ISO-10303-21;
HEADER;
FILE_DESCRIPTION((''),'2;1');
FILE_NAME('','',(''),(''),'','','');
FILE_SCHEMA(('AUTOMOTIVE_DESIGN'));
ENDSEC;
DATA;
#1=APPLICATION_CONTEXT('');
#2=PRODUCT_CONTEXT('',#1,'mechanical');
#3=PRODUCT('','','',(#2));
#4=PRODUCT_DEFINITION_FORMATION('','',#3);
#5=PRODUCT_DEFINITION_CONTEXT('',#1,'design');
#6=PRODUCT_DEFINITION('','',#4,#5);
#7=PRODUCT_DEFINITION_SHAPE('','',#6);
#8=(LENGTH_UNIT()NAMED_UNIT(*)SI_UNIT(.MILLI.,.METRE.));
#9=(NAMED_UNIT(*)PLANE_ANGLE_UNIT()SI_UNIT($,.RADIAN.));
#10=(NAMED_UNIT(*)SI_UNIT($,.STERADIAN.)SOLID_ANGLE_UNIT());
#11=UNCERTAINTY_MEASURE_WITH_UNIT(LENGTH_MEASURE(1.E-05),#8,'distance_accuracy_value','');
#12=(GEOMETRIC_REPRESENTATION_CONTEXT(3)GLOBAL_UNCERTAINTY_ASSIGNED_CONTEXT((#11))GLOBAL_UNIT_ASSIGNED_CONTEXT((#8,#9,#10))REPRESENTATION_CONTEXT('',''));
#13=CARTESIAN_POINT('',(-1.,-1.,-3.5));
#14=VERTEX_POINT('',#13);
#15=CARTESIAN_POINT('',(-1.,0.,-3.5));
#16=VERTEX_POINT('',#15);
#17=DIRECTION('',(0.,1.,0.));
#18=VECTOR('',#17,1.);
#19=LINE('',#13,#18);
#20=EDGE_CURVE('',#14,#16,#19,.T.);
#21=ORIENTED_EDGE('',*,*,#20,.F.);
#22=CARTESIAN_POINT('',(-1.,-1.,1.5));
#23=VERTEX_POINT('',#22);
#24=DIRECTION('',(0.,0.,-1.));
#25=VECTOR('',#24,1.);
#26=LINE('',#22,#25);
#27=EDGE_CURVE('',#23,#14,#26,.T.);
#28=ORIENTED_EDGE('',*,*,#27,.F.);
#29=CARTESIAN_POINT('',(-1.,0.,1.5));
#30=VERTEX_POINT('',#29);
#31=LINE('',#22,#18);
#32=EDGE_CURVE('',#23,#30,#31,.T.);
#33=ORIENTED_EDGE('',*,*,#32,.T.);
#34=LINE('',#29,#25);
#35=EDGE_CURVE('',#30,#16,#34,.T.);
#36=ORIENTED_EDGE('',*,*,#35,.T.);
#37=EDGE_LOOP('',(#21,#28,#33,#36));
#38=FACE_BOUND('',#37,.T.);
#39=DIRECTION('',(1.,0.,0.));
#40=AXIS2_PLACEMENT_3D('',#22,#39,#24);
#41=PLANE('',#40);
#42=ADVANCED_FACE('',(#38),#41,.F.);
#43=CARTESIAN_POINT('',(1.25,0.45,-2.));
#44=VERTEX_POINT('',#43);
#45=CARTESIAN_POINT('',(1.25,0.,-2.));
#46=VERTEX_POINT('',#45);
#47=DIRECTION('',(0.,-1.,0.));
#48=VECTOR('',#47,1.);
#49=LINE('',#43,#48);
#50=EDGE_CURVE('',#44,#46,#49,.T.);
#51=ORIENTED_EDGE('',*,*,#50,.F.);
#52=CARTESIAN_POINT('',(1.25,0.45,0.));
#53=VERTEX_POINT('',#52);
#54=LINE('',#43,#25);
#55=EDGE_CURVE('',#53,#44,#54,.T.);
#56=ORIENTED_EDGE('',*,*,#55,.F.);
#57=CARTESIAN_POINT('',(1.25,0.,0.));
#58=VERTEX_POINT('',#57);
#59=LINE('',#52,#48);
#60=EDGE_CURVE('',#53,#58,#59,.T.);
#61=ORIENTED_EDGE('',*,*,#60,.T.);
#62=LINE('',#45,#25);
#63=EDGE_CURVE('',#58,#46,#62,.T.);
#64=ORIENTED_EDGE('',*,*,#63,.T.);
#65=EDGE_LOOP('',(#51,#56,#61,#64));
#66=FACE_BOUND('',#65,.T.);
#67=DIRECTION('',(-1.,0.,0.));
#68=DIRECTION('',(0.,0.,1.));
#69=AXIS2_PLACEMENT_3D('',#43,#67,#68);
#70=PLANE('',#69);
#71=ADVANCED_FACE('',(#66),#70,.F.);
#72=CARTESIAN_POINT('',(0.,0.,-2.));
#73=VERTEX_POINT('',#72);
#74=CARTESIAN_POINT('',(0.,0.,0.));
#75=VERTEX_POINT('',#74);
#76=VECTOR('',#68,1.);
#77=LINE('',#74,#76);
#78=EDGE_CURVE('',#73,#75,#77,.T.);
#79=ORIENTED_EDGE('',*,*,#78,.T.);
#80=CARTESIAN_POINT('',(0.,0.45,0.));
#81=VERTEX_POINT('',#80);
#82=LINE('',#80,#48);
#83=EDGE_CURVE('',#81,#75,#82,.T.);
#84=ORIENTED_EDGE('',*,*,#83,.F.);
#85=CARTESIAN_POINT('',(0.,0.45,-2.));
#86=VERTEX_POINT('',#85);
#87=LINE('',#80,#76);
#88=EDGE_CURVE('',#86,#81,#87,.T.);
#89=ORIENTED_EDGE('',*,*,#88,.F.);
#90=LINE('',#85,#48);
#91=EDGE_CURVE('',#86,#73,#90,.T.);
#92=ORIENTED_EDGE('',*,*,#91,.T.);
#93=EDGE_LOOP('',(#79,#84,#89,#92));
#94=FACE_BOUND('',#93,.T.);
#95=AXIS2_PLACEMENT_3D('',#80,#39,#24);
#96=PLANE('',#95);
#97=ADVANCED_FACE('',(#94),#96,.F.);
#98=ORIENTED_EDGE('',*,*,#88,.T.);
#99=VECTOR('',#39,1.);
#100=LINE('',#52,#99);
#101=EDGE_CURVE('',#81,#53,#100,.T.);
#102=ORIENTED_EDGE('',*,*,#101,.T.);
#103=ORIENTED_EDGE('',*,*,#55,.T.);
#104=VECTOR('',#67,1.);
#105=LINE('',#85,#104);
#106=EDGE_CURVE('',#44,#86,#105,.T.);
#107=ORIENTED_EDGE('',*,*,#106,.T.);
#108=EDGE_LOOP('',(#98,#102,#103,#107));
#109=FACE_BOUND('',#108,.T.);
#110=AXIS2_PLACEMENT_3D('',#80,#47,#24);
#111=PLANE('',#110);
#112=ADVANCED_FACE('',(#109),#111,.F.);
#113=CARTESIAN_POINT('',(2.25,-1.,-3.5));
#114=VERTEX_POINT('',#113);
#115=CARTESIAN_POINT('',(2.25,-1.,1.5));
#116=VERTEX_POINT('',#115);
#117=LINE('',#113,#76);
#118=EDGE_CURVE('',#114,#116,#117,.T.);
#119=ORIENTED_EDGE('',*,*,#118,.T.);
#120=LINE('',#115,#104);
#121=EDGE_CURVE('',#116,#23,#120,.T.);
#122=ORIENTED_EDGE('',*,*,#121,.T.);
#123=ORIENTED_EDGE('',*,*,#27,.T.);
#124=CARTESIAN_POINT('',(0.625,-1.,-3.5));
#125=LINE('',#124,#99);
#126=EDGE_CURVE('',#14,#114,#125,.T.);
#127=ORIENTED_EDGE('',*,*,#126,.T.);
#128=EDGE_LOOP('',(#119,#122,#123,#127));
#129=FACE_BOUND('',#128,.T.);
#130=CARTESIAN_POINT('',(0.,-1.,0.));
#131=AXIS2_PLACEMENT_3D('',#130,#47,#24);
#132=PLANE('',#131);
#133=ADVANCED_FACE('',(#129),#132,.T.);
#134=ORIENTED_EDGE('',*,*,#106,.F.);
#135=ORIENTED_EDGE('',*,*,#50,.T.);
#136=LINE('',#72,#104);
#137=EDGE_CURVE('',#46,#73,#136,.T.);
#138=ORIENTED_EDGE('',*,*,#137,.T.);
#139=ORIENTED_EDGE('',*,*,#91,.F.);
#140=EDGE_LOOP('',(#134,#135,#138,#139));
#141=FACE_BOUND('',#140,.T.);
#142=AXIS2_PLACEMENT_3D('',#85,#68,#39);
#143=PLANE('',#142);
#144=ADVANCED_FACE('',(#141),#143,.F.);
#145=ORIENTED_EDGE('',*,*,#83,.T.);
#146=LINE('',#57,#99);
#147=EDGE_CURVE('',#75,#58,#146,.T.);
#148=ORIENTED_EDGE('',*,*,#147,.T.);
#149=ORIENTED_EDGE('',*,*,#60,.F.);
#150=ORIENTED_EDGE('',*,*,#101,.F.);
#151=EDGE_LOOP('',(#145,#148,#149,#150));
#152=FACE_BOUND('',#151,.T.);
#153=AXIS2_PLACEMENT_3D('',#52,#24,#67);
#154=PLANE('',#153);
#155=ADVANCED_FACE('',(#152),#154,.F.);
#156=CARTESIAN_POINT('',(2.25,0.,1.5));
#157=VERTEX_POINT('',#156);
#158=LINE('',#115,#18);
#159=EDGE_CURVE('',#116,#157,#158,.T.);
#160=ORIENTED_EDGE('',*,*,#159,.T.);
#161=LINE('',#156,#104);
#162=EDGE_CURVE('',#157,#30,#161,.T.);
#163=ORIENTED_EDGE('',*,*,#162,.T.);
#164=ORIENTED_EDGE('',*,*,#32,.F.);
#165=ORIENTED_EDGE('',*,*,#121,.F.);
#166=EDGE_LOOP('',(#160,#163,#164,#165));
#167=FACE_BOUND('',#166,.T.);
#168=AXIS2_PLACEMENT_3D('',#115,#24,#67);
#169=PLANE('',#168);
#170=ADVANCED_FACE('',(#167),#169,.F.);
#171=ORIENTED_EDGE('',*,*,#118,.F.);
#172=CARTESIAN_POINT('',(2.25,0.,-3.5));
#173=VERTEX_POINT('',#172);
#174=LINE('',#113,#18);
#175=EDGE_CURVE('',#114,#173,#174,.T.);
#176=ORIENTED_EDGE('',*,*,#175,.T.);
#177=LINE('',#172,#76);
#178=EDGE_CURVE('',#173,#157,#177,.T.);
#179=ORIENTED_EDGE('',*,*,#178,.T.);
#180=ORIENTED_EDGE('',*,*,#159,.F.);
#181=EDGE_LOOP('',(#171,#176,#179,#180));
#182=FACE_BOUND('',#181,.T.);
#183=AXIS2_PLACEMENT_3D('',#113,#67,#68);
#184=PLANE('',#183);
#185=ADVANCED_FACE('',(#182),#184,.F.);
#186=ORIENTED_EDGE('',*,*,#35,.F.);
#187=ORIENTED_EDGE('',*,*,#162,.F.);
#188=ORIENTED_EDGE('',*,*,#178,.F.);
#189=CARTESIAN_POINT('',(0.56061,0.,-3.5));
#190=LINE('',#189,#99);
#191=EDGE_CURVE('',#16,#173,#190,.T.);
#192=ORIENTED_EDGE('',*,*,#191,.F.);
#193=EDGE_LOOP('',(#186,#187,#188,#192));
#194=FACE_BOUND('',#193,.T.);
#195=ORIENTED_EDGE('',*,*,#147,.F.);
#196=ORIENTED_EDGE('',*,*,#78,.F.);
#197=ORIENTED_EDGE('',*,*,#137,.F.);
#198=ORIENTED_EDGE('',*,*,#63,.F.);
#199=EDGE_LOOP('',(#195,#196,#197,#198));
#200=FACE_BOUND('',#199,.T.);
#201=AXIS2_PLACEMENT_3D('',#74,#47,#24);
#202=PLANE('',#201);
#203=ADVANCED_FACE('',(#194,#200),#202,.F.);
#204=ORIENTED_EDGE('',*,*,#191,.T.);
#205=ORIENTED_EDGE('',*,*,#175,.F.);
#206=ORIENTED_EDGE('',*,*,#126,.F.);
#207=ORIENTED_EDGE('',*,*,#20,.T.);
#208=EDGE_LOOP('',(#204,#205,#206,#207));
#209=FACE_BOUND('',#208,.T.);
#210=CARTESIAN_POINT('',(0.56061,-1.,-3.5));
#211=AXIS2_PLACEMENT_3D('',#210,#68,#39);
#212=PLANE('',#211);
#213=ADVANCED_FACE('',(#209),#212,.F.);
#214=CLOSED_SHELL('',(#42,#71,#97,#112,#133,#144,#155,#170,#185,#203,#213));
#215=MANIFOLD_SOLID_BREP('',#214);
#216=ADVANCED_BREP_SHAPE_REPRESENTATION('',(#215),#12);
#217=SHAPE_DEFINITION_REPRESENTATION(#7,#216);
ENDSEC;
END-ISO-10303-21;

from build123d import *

# Parameters (mm, degrees)
SKETCH1_W           = 1.25
SKETCH1_H           = 2
BOSS_EXTRUDE1_DEPTH = 0.45
BOSS_EXTRUDE3_DEPTH = 1


with BuildPart() as part:
    # Sketch1 → Boss-Extrude1 (new body)
    with BuildSketch(Plane(origin=(0, 0, 0), x_dir=(1, 0, 0), z_dir=(0, 1, 0))):
        with Locations((0.625, 1)):
            Rectangle(SKETCH1_W, SKETCH1_H)
    extrude(amount=BOSS_EXTRUDE1_DEPTH)

    # Sketch2 → Boss-Extrude3 (add)
    with BuildSketch(Plane.XZ):
        Polygon((0.56061007, -3.5), (0.625, -3.5), (2.25, -3.5), (2.25, 1.5), (-1, 1.5), (-1, -3.5), align=None)
    extrude(amount=BOSS_EXTRUDE3_DEPTH)


solid = part.part
